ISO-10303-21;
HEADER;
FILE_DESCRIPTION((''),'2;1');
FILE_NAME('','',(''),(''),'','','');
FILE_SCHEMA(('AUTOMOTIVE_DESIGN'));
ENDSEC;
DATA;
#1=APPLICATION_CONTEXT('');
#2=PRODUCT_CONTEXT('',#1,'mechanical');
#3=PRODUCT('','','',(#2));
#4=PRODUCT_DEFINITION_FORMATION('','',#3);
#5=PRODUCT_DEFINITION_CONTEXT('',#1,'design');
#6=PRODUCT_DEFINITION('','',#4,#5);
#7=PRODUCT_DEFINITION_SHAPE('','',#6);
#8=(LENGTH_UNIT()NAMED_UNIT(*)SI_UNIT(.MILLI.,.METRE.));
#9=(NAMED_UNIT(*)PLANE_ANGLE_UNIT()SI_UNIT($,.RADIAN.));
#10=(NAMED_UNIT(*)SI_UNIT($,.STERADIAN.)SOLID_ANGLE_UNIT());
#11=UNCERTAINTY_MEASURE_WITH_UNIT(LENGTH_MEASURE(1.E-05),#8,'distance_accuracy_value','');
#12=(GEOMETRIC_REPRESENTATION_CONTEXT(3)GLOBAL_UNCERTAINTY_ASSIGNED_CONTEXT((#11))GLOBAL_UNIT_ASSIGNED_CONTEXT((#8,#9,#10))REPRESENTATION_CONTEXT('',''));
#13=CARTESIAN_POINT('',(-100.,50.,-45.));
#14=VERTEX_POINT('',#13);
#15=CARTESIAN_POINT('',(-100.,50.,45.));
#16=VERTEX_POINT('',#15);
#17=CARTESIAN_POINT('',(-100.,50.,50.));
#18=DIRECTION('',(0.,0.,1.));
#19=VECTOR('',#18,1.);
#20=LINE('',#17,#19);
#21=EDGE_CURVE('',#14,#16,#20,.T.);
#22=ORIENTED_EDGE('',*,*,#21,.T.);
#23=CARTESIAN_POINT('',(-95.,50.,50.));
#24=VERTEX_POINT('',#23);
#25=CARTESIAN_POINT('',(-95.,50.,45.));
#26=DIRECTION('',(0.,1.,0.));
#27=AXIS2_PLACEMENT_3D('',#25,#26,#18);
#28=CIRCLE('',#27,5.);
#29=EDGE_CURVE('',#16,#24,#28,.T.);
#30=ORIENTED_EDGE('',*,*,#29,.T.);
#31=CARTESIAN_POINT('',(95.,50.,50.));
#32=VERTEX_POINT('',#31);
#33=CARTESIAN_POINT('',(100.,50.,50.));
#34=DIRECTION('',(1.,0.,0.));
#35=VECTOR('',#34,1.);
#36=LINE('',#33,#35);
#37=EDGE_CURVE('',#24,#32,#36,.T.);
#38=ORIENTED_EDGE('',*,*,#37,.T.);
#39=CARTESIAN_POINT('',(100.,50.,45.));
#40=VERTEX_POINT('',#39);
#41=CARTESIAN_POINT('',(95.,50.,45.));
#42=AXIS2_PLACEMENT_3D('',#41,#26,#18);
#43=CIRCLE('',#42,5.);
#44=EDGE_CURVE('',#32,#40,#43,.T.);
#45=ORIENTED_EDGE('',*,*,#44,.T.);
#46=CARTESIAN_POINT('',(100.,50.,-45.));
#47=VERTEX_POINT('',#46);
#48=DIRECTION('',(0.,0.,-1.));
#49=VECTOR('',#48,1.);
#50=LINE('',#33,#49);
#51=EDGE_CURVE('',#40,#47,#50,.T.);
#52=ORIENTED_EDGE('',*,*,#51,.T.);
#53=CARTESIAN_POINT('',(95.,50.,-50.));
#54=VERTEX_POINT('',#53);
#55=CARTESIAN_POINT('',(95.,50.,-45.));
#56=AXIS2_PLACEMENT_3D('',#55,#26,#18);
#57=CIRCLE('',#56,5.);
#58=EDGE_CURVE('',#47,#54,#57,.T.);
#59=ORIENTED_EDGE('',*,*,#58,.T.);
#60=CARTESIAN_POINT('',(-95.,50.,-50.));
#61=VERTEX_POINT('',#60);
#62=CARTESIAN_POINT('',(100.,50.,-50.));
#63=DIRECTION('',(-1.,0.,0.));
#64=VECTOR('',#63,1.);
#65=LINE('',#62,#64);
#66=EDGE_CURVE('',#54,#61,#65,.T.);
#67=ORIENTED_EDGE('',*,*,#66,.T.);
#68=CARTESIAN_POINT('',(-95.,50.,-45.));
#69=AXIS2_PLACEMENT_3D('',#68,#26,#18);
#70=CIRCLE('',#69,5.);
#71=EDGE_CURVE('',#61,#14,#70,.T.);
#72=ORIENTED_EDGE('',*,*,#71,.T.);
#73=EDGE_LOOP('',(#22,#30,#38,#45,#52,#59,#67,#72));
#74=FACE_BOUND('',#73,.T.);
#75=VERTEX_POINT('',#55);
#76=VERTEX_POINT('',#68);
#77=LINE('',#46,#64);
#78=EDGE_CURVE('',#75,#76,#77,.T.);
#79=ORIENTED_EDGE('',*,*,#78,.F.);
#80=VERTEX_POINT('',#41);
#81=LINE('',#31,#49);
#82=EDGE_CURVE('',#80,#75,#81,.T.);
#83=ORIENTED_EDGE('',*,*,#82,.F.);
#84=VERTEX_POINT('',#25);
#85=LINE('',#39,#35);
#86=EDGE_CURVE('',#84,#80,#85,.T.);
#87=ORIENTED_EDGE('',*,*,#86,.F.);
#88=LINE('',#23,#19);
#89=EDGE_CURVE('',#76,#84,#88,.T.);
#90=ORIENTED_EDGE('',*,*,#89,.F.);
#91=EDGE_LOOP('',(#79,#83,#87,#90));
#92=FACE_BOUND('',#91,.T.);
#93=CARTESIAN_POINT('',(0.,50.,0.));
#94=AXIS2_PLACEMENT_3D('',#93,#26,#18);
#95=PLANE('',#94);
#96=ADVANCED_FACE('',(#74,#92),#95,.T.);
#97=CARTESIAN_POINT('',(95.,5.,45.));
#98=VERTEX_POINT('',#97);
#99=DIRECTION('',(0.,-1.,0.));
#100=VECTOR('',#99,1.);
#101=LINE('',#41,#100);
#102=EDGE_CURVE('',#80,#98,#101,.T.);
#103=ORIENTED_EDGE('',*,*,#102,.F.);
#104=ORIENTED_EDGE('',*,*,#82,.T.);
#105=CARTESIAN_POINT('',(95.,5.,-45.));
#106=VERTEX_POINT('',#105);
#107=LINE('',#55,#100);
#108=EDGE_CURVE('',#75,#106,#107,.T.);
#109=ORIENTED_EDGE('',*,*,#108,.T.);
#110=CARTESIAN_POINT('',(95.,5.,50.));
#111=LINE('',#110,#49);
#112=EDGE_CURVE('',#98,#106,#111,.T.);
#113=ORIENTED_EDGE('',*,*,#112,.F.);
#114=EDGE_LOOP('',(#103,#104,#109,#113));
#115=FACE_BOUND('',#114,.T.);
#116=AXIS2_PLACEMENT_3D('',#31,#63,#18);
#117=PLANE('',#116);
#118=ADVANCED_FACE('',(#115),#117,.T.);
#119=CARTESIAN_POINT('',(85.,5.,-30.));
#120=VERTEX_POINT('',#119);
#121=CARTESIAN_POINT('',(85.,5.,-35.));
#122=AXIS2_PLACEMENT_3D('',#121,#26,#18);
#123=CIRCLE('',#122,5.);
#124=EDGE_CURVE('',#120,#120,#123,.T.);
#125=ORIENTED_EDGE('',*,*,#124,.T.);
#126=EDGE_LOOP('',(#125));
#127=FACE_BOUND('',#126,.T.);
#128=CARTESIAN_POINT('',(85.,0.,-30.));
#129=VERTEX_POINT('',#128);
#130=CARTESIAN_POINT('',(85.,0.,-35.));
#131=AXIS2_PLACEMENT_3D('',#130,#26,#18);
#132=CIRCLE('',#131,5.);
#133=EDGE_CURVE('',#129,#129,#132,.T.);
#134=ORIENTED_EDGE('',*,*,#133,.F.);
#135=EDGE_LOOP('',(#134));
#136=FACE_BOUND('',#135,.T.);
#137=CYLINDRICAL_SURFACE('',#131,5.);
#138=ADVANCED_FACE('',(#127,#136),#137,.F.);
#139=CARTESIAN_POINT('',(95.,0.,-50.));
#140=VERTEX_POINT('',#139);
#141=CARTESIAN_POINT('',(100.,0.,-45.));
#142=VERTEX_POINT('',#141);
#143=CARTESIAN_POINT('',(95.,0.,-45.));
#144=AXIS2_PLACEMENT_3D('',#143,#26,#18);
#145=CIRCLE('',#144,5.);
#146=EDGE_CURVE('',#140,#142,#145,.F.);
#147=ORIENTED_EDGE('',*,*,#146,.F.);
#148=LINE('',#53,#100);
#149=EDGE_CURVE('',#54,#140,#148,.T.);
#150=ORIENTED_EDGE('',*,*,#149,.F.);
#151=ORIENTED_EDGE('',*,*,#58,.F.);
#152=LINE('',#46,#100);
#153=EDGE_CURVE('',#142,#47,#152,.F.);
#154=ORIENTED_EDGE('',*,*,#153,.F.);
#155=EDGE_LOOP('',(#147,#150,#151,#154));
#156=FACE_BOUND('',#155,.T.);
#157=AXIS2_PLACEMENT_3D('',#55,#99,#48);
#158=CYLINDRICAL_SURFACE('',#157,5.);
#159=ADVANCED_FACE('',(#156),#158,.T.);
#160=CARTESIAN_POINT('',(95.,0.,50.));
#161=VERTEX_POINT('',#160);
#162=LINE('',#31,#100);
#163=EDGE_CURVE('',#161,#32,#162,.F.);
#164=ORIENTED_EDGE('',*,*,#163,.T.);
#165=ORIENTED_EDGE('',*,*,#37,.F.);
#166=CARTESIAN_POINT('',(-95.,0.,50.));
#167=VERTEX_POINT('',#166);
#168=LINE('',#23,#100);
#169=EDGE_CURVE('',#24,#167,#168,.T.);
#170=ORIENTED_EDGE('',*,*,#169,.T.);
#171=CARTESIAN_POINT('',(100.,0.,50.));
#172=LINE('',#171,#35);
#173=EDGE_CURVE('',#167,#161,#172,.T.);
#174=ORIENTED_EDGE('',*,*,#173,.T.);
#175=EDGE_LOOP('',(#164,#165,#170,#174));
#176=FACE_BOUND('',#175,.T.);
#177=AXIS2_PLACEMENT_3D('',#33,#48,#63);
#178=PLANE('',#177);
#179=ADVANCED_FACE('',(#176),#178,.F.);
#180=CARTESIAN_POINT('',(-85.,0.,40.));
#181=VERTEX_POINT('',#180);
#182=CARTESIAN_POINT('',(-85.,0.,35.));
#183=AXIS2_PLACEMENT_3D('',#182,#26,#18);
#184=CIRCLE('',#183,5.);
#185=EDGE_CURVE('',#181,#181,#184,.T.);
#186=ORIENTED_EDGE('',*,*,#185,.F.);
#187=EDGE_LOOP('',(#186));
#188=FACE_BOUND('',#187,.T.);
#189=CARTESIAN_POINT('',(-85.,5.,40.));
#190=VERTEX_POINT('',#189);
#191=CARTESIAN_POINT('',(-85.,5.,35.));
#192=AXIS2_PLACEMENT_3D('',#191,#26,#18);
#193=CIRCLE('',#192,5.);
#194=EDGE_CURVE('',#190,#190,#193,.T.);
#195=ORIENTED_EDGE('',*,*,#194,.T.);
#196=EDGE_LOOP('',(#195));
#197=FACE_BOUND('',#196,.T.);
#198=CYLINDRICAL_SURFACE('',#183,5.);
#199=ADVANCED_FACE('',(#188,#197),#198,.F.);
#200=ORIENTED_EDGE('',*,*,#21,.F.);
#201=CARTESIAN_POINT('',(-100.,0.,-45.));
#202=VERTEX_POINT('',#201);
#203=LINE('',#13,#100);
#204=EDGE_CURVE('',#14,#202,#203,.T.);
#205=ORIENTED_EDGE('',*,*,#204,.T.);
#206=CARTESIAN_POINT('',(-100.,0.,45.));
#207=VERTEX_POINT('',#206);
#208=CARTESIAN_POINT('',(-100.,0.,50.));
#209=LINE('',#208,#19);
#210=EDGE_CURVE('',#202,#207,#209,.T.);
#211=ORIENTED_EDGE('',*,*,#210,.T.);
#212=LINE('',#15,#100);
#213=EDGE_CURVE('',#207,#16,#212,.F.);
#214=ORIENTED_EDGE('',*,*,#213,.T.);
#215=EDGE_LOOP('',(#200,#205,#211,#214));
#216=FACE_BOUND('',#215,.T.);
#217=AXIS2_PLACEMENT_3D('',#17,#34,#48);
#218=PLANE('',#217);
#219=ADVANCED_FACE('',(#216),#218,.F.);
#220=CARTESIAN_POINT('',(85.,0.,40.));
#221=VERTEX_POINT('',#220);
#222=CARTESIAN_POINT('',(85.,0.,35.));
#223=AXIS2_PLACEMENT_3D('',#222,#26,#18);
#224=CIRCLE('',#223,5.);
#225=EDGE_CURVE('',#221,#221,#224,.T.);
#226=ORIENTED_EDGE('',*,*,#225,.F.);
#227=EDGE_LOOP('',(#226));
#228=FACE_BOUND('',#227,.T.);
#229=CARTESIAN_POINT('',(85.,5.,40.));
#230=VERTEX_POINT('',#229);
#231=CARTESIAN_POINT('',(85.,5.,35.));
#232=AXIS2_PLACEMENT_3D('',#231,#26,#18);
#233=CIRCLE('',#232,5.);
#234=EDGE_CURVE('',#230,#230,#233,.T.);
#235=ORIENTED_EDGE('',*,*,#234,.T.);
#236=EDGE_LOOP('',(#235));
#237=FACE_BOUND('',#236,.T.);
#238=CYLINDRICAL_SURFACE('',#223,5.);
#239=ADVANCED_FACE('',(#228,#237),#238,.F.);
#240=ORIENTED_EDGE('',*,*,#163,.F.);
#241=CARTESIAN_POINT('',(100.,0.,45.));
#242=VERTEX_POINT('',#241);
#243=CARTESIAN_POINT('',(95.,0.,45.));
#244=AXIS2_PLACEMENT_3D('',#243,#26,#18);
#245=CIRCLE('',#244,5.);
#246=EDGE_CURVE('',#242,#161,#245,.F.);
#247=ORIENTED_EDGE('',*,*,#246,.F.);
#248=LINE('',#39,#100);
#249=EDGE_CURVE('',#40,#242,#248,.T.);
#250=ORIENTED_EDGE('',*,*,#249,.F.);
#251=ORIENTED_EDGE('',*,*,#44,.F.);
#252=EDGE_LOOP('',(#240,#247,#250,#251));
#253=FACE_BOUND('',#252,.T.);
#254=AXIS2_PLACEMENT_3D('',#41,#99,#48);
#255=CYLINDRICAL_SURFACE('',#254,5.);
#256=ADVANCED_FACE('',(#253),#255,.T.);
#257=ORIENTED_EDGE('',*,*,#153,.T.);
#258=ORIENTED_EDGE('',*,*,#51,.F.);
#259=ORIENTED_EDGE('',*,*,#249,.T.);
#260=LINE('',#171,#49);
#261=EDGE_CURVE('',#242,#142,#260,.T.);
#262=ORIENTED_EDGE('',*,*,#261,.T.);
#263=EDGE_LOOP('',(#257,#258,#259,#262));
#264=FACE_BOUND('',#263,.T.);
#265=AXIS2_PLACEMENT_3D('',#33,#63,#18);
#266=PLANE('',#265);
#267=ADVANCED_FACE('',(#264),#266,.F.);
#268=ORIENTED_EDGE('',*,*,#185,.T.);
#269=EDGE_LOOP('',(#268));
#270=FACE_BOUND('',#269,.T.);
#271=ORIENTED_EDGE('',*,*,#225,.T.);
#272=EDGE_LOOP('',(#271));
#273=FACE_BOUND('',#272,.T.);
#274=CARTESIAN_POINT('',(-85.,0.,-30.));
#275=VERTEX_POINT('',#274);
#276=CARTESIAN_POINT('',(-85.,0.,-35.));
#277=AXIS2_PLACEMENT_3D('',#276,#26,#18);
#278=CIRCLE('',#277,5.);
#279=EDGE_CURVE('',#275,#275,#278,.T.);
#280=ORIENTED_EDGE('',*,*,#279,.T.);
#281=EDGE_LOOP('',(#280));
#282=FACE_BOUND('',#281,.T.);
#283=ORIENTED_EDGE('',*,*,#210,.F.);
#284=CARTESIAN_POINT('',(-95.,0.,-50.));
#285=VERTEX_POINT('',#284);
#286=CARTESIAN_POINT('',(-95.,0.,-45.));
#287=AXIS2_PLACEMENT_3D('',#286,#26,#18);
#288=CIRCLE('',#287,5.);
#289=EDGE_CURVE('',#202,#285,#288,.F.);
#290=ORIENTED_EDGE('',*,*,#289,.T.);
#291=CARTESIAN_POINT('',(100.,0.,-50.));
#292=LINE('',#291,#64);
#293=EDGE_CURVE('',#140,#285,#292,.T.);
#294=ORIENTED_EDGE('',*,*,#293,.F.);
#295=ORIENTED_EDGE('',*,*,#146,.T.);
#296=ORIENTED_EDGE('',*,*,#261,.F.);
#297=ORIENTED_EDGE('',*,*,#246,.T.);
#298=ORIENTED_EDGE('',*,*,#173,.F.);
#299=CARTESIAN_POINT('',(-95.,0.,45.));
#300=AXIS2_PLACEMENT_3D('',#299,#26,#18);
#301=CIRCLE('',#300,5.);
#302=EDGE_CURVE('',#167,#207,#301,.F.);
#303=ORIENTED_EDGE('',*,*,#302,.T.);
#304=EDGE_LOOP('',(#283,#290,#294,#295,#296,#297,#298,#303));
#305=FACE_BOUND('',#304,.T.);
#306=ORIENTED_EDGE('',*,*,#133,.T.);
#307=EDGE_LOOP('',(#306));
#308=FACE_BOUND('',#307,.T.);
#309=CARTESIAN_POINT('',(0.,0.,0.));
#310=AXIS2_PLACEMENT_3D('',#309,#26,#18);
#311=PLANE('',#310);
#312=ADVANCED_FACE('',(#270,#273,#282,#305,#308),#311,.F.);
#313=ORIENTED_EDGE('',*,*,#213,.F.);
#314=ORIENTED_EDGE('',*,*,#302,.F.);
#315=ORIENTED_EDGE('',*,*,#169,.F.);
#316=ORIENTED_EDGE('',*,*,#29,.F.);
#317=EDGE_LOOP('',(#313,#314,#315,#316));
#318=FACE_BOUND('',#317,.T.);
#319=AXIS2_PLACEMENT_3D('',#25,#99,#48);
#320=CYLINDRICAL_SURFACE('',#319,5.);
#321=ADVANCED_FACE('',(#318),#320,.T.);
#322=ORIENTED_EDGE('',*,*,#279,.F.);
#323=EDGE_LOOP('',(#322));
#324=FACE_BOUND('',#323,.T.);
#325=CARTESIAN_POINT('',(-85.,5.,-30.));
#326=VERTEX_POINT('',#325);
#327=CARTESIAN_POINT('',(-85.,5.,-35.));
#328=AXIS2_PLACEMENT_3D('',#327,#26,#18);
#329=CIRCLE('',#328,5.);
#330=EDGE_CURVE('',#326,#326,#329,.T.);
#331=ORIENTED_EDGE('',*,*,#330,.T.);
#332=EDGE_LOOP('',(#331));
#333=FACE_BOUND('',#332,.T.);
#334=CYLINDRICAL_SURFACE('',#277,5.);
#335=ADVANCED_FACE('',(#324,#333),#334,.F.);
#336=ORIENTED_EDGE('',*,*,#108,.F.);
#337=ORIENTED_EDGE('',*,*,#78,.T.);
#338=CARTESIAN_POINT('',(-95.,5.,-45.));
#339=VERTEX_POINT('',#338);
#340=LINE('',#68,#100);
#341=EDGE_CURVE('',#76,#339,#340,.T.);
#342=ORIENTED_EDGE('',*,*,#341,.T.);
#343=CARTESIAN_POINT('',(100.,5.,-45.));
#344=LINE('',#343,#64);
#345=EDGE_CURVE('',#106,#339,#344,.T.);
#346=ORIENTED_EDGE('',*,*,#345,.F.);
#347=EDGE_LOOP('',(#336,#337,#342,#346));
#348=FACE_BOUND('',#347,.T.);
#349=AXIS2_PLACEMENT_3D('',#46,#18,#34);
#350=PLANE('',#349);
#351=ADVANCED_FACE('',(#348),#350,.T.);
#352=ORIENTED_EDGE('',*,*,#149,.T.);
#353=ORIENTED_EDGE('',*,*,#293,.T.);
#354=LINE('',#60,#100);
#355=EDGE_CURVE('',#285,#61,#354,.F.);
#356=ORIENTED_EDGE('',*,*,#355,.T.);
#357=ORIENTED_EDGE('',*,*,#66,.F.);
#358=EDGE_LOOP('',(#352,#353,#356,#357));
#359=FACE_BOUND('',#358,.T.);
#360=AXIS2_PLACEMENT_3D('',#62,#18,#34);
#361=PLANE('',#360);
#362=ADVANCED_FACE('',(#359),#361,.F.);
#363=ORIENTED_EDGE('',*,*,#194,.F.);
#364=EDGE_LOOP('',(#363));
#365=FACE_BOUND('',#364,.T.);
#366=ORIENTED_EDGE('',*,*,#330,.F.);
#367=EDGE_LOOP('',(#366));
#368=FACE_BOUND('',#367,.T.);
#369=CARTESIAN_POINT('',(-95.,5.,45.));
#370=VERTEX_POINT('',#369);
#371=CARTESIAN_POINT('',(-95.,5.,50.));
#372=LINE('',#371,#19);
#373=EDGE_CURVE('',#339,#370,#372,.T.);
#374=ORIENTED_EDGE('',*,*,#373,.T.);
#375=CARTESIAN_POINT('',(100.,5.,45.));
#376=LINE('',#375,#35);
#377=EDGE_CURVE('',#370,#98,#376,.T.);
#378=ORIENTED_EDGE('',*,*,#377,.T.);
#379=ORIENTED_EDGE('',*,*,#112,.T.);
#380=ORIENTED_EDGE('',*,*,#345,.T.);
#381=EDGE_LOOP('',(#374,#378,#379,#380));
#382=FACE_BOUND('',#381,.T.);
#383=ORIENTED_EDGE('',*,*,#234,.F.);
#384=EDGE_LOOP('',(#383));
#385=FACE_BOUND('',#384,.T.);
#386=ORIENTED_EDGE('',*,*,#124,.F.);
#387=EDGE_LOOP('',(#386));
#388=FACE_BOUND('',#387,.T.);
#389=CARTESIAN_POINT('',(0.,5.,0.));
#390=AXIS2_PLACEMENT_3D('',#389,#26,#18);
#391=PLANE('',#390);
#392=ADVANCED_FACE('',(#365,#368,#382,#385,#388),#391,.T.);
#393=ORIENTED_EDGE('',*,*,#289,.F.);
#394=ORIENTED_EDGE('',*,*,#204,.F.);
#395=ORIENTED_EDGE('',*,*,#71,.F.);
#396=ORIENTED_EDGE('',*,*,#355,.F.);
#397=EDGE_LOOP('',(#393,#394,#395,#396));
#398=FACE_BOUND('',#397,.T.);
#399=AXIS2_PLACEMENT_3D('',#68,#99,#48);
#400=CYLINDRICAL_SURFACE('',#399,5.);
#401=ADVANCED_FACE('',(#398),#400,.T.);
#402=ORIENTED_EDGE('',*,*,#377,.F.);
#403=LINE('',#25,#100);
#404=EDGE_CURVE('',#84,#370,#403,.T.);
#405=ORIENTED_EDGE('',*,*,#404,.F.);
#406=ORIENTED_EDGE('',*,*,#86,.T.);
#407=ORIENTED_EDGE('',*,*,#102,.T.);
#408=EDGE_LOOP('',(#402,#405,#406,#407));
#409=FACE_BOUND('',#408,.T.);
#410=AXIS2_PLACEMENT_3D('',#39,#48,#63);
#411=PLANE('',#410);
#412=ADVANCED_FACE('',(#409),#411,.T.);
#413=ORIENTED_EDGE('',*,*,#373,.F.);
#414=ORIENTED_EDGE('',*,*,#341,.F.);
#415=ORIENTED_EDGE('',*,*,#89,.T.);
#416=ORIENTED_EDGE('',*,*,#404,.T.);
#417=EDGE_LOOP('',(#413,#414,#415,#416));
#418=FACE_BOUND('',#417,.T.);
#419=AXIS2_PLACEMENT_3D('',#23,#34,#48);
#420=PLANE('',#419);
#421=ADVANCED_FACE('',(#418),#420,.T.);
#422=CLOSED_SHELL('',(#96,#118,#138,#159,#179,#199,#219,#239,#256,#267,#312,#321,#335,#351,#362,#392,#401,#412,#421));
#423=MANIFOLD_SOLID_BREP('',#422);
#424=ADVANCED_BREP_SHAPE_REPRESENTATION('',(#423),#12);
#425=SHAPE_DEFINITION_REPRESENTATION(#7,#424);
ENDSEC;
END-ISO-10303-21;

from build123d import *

# Parameters (mm, degrees)
SKETCH1_W           = 200
SKETCH1_H           = 100
BOSS_EXTRUDE1_DEPTH = 50
SHELL1_T            = -5
FILLET1_R           = 5
SKETCH5_R           = 5
CUT_EXTRUDE1_DEPTH  = 6


with BuildPart() as part:
    # Sketch1 → Boss-Extrude1 (new body)
    with BuildSketch(Plane(origin=(0, 0, 0), x_dir=(1, 0, 0), z_dir=(0, 1, 0))):
        Rectangle(SKETCH1_W, SKETCH1_H)
    extrude(amount=BOSS_EXTRUDE1_DEPTH)

    # Shell1
    shell1_openings = [part.faces().sort_by_distance(p)[0] for p in [
        (0, 50, 0),
    ]]
    offset(amount=SHELL1_T, openings=shell1_openings, kind=Kind.INTERSECTION)

    # Fillet1
    fillet1_edges = [part.edges().sort_by_distance(p)[0] for p in [
        (-100, 25, -50),
        (100, 25, -50),
        (100, 25, 50),
        (-100, 25, 50),
    ]]
    fillet(fillet1_edges, radius=FILLET1_R)

    # Sketch5 → Cut-Extrude1 (cut, through all)
    with BuildSketch(Plane(origin=(0, 5, 0), x_dir=(1, 0, 0), z_dir=(0, 1, 0))):
        with Locations((-85, 35)):
            Circle(SKETCH5_R)
        with Locations((85, 35)):
            Circle(SKETCH5_R)
        with Locations((85, -35)):
            Circle(SKETCH5_R)
        with Locations((-85, -35)):
            Circle(SKETCH5_R)
    extrude(amount=-CUT_EXTRUDE1_DEPTH, mode=Mode.SUBTRACT)


solid = part.part
